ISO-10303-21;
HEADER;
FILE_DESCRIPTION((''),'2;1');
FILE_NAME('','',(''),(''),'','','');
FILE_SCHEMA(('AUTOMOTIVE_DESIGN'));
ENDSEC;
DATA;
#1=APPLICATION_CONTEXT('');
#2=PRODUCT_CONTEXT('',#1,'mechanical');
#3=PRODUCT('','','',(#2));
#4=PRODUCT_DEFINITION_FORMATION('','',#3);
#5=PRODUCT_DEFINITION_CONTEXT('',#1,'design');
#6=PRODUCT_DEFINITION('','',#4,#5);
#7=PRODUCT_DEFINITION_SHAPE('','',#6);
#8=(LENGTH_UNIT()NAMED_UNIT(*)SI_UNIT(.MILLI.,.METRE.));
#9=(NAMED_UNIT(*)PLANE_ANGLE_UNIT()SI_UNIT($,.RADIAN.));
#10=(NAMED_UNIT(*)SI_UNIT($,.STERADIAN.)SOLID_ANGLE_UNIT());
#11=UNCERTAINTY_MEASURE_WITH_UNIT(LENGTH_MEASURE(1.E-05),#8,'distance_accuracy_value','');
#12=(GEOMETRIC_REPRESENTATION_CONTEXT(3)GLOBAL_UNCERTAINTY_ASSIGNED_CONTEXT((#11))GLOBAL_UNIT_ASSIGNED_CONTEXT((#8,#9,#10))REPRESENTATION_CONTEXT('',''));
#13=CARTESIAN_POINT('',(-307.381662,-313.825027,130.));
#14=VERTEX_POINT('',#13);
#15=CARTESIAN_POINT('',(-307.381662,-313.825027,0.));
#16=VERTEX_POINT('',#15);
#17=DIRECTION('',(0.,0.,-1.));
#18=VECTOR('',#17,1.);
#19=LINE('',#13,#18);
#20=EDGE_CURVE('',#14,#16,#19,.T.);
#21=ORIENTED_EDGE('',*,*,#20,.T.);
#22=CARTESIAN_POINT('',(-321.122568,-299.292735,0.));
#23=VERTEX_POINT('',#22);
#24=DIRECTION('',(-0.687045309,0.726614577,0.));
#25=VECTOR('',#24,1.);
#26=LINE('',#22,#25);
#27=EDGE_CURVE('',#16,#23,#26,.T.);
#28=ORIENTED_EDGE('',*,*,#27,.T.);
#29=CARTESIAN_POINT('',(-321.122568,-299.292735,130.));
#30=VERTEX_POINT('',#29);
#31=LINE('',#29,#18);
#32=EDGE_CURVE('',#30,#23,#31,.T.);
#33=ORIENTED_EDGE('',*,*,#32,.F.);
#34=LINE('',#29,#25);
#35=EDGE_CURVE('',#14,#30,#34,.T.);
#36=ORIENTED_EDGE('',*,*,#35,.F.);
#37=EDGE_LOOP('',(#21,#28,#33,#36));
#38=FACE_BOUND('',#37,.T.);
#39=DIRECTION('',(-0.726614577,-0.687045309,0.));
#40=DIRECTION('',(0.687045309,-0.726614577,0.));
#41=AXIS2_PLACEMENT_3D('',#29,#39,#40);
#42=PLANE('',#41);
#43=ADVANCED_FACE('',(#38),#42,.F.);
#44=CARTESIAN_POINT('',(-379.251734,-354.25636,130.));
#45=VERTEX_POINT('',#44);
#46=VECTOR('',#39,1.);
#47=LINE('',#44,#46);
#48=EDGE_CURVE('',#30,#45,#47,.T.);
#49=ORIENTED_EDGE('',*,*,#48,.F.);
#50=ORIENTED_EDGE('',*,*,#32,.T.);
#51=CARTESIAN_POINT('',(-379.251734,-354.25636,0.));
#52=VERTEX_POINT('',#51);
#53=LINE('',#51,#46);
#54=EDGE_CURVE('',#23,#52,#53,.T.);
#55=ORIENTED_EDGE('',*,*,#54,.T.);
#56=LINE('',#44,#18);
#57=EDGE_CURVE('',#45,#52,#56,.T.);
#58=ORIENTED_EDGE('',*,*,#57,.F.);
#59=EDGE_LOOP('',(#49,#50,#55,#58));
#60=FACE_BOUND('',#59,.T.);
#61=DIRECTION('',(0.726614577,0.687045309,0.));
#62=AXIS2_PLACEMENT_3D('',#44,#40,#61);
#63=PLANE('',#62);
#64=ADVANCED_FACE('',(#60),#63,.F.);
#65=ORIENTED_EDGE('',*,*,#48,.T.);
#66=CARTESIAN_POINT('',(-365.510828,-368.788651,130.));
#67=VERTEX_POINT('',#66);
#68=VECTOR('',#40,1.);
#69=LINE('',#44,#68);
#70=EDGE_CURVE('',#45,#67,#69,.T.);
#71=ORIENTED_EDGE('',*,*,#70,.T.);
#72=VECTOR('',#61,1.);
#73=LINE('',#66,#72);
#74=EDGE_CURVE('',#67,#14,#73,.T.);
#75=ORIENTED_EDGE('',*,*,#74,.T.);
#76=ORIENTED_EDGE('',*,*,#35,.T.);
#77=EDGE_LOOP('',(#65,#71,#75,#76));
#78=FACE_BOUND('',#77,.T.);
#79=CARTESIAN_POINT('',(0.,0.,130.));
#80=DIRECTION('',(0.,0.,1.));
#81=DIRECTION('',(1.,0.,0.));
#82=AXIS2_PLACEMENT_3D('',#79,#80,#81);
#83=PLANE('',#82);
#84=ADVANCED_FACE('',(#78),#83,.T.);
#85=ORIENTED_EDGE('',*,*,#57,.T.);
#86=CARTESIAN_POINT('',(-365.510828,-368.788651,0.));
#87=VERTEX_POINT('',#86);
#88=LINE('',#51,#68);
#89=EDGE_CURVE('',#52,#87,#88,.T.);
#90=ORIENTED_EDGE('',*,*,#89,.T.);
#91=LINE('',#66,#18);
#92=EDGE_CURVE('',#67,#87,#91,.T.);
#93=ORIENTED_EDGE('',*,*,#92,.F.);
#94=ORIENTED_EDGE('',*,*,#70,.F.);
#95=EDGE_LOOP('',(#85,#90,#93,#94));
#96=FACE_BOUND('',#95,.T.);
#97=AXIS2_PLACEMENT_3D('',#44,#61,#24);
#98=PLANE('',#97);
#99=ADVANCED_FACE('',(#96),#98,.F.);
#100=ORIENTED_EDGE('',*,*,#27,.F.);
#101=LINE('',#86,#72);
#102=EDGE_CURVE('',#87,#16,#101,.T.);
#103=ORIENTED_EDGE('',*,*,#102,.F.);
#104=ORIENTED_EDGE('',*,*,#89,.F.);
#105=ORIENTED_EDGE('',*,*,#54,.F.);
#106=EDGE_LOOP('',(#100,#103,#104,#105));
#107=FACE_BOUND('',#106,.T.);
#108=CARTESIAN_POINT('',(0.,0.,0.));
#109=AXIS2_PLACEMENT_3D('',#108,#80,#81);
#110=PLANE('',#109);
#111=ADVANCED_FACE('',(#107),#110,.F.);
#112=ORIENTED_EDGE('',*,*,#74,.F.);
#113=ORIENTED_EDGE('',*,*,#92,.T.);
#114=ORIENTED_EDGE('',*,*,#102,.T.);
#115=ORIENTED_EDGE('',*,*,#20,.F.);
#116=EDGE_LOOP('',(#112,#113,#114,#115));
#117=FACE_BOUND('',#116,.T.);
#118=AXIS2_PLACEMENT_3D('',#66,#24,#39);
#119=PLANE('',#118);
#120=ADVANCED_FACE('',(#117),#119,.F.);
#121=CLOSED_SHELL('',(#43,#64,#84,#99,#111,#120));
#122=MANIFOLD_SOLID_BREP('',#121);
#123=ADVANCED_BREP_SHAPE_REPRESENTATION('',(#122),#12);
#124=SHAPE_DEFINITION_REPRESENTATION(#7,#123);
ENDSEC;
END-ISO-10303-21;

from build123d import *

# Parameters (mm, degrees)
BOSS_EXTRUDE2_DEPTH = 130


with BuildPart() as part:
    # Sketch1 → Boss-Extrude2 (new body)
    with BuildSketch(Plane.XY):
        Polygon((-379.251734041, -354.256359802), (-321.122567878, -299.292735092), (-307.381661701, -313.825026632), (-365.510827863, -368.788651342), align=None)
    extrude(amount=BOSS_EXTRUDE2_DEPTH)


solid = part.part
